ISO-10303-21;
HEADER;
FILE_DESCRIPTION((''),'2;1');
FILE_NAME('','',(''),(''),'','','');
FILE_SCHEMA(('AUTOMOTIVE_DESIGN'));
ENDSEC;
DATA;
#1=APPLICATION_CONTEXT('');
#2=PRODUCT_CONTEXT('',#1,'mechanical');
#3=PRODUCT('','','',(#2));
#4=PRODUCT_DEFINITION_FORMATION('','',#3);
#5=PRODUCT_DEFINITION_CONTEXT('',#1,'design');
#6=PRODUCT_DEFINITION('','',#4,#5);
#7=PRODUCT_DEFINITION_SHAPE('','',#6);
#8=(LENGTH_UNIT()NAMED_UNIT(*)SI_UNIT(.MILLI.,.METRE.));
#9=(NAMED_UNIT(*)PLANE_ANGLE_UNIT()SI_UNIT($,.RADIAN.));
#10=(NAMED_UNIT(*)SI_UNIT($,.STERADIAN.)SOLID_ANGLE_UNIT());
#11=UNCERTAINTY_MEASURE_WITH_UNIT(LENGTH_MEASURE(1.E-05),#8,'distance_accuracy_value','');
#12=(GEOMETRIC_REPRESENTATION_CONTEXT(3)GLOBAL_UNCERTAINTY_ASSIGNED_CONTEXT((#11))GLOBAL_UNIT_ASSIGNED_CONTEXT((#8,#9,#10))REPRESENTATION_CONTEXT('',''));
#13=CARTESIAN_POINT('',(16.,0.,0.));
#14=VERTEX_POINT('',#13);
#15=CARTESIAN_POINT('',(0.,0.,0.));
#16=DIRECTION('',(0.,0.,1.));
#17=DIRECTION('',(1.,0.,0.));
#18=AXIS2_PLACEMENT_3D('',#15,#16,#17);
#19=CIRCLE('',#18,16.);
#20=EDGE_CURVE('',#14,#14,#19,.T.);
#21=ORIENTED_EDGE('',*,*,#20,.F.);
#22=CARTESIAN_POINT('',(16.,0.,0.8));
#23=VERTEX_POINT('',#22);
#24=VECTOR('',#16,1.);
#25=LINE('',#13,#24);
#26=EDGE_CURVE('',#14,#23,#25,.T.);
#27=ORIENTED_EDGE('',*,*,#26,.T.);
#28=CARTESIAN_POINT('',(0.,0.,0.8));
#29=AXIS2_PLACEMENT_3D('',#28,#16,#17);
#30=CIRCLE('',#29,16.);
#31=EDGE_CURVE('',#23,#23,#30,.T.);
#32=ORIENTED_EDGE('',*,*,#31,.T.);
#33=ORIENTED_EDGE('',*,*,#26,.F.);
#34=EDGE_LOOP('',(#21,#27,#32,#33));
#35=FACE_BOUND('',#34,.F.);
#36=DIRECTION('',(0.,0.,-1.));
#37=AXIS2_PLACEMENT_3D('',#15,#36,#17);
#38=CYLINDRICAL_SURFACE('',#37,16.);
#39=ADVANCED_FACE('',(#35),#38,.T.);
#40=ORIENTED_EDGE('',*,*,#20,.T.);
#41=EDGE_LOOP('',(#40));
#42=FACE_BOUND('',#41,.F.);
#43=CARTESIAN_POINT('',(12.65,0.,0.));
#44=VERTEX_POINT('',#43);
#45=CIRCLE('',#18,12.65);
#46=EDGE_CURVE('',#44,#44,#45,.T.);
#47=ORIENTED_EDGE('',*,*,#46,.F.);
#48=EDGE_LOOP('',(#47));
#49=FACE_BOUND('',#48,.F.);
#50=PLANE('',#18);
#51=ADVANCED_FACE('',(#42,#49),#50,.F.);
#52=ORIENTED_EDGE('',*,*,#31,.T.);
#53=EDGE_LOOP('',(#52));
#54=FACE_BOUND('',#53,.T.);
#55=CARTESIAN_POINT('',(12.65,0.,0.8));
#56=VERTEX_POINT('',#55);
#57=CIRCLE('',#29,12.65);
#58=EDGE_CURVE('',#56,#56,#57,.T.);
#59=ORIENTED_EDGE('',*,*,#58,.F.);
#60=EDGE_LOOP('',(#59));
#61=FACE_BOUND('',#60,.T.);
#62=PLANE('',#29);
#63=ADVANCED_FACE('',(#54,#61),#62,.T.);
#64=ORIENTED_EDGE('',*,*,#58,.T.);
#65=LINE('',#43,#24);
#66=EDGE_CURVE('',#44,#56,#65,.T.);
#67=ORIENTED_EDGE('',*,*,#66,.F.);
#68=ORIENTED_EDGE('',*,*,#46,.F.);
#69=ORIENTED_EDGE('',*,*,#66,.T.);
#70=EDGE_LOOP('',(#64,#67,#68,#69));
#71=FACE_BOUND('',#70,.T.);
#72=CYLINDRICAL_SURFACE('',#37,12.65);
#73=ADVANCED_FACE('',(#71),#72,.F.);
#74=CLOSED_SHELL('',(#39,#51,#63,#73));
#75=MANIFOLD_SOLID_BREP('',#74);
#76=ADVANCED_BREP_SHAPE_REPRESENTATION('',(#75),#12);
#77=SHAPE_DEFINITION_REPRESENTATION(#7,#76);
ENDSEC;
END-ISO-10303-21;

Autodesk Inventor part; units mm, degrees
ref_plane "YZ Plane" through (0, 0, 0) normal (1, 0, 0) x (0, 1, 0)
ref_plane "XZ Plane" through (0, 0, 0) normal (0, 1, 0) x (-1, 0, 0)
ref_plane "XY Plane" through (0, 0, 0) normal (0, 0, 1) x (1, 0, 0)
sketch "スケッチ1" plane through (0, 0, 0) normal (0, 0, 1) x (1, 0, 0)
  circle A0 centre (0, 0) radius 12.65
  circle A1 centre (0, 0) radius 16
  dimension "d0" = 25.3
  dimension "d1" = 32
extrude "押し出し1" add sketch "スケッチ1" along normal blind 0.8
properties part number "TT-2532-08" material "PET プラスチック"
